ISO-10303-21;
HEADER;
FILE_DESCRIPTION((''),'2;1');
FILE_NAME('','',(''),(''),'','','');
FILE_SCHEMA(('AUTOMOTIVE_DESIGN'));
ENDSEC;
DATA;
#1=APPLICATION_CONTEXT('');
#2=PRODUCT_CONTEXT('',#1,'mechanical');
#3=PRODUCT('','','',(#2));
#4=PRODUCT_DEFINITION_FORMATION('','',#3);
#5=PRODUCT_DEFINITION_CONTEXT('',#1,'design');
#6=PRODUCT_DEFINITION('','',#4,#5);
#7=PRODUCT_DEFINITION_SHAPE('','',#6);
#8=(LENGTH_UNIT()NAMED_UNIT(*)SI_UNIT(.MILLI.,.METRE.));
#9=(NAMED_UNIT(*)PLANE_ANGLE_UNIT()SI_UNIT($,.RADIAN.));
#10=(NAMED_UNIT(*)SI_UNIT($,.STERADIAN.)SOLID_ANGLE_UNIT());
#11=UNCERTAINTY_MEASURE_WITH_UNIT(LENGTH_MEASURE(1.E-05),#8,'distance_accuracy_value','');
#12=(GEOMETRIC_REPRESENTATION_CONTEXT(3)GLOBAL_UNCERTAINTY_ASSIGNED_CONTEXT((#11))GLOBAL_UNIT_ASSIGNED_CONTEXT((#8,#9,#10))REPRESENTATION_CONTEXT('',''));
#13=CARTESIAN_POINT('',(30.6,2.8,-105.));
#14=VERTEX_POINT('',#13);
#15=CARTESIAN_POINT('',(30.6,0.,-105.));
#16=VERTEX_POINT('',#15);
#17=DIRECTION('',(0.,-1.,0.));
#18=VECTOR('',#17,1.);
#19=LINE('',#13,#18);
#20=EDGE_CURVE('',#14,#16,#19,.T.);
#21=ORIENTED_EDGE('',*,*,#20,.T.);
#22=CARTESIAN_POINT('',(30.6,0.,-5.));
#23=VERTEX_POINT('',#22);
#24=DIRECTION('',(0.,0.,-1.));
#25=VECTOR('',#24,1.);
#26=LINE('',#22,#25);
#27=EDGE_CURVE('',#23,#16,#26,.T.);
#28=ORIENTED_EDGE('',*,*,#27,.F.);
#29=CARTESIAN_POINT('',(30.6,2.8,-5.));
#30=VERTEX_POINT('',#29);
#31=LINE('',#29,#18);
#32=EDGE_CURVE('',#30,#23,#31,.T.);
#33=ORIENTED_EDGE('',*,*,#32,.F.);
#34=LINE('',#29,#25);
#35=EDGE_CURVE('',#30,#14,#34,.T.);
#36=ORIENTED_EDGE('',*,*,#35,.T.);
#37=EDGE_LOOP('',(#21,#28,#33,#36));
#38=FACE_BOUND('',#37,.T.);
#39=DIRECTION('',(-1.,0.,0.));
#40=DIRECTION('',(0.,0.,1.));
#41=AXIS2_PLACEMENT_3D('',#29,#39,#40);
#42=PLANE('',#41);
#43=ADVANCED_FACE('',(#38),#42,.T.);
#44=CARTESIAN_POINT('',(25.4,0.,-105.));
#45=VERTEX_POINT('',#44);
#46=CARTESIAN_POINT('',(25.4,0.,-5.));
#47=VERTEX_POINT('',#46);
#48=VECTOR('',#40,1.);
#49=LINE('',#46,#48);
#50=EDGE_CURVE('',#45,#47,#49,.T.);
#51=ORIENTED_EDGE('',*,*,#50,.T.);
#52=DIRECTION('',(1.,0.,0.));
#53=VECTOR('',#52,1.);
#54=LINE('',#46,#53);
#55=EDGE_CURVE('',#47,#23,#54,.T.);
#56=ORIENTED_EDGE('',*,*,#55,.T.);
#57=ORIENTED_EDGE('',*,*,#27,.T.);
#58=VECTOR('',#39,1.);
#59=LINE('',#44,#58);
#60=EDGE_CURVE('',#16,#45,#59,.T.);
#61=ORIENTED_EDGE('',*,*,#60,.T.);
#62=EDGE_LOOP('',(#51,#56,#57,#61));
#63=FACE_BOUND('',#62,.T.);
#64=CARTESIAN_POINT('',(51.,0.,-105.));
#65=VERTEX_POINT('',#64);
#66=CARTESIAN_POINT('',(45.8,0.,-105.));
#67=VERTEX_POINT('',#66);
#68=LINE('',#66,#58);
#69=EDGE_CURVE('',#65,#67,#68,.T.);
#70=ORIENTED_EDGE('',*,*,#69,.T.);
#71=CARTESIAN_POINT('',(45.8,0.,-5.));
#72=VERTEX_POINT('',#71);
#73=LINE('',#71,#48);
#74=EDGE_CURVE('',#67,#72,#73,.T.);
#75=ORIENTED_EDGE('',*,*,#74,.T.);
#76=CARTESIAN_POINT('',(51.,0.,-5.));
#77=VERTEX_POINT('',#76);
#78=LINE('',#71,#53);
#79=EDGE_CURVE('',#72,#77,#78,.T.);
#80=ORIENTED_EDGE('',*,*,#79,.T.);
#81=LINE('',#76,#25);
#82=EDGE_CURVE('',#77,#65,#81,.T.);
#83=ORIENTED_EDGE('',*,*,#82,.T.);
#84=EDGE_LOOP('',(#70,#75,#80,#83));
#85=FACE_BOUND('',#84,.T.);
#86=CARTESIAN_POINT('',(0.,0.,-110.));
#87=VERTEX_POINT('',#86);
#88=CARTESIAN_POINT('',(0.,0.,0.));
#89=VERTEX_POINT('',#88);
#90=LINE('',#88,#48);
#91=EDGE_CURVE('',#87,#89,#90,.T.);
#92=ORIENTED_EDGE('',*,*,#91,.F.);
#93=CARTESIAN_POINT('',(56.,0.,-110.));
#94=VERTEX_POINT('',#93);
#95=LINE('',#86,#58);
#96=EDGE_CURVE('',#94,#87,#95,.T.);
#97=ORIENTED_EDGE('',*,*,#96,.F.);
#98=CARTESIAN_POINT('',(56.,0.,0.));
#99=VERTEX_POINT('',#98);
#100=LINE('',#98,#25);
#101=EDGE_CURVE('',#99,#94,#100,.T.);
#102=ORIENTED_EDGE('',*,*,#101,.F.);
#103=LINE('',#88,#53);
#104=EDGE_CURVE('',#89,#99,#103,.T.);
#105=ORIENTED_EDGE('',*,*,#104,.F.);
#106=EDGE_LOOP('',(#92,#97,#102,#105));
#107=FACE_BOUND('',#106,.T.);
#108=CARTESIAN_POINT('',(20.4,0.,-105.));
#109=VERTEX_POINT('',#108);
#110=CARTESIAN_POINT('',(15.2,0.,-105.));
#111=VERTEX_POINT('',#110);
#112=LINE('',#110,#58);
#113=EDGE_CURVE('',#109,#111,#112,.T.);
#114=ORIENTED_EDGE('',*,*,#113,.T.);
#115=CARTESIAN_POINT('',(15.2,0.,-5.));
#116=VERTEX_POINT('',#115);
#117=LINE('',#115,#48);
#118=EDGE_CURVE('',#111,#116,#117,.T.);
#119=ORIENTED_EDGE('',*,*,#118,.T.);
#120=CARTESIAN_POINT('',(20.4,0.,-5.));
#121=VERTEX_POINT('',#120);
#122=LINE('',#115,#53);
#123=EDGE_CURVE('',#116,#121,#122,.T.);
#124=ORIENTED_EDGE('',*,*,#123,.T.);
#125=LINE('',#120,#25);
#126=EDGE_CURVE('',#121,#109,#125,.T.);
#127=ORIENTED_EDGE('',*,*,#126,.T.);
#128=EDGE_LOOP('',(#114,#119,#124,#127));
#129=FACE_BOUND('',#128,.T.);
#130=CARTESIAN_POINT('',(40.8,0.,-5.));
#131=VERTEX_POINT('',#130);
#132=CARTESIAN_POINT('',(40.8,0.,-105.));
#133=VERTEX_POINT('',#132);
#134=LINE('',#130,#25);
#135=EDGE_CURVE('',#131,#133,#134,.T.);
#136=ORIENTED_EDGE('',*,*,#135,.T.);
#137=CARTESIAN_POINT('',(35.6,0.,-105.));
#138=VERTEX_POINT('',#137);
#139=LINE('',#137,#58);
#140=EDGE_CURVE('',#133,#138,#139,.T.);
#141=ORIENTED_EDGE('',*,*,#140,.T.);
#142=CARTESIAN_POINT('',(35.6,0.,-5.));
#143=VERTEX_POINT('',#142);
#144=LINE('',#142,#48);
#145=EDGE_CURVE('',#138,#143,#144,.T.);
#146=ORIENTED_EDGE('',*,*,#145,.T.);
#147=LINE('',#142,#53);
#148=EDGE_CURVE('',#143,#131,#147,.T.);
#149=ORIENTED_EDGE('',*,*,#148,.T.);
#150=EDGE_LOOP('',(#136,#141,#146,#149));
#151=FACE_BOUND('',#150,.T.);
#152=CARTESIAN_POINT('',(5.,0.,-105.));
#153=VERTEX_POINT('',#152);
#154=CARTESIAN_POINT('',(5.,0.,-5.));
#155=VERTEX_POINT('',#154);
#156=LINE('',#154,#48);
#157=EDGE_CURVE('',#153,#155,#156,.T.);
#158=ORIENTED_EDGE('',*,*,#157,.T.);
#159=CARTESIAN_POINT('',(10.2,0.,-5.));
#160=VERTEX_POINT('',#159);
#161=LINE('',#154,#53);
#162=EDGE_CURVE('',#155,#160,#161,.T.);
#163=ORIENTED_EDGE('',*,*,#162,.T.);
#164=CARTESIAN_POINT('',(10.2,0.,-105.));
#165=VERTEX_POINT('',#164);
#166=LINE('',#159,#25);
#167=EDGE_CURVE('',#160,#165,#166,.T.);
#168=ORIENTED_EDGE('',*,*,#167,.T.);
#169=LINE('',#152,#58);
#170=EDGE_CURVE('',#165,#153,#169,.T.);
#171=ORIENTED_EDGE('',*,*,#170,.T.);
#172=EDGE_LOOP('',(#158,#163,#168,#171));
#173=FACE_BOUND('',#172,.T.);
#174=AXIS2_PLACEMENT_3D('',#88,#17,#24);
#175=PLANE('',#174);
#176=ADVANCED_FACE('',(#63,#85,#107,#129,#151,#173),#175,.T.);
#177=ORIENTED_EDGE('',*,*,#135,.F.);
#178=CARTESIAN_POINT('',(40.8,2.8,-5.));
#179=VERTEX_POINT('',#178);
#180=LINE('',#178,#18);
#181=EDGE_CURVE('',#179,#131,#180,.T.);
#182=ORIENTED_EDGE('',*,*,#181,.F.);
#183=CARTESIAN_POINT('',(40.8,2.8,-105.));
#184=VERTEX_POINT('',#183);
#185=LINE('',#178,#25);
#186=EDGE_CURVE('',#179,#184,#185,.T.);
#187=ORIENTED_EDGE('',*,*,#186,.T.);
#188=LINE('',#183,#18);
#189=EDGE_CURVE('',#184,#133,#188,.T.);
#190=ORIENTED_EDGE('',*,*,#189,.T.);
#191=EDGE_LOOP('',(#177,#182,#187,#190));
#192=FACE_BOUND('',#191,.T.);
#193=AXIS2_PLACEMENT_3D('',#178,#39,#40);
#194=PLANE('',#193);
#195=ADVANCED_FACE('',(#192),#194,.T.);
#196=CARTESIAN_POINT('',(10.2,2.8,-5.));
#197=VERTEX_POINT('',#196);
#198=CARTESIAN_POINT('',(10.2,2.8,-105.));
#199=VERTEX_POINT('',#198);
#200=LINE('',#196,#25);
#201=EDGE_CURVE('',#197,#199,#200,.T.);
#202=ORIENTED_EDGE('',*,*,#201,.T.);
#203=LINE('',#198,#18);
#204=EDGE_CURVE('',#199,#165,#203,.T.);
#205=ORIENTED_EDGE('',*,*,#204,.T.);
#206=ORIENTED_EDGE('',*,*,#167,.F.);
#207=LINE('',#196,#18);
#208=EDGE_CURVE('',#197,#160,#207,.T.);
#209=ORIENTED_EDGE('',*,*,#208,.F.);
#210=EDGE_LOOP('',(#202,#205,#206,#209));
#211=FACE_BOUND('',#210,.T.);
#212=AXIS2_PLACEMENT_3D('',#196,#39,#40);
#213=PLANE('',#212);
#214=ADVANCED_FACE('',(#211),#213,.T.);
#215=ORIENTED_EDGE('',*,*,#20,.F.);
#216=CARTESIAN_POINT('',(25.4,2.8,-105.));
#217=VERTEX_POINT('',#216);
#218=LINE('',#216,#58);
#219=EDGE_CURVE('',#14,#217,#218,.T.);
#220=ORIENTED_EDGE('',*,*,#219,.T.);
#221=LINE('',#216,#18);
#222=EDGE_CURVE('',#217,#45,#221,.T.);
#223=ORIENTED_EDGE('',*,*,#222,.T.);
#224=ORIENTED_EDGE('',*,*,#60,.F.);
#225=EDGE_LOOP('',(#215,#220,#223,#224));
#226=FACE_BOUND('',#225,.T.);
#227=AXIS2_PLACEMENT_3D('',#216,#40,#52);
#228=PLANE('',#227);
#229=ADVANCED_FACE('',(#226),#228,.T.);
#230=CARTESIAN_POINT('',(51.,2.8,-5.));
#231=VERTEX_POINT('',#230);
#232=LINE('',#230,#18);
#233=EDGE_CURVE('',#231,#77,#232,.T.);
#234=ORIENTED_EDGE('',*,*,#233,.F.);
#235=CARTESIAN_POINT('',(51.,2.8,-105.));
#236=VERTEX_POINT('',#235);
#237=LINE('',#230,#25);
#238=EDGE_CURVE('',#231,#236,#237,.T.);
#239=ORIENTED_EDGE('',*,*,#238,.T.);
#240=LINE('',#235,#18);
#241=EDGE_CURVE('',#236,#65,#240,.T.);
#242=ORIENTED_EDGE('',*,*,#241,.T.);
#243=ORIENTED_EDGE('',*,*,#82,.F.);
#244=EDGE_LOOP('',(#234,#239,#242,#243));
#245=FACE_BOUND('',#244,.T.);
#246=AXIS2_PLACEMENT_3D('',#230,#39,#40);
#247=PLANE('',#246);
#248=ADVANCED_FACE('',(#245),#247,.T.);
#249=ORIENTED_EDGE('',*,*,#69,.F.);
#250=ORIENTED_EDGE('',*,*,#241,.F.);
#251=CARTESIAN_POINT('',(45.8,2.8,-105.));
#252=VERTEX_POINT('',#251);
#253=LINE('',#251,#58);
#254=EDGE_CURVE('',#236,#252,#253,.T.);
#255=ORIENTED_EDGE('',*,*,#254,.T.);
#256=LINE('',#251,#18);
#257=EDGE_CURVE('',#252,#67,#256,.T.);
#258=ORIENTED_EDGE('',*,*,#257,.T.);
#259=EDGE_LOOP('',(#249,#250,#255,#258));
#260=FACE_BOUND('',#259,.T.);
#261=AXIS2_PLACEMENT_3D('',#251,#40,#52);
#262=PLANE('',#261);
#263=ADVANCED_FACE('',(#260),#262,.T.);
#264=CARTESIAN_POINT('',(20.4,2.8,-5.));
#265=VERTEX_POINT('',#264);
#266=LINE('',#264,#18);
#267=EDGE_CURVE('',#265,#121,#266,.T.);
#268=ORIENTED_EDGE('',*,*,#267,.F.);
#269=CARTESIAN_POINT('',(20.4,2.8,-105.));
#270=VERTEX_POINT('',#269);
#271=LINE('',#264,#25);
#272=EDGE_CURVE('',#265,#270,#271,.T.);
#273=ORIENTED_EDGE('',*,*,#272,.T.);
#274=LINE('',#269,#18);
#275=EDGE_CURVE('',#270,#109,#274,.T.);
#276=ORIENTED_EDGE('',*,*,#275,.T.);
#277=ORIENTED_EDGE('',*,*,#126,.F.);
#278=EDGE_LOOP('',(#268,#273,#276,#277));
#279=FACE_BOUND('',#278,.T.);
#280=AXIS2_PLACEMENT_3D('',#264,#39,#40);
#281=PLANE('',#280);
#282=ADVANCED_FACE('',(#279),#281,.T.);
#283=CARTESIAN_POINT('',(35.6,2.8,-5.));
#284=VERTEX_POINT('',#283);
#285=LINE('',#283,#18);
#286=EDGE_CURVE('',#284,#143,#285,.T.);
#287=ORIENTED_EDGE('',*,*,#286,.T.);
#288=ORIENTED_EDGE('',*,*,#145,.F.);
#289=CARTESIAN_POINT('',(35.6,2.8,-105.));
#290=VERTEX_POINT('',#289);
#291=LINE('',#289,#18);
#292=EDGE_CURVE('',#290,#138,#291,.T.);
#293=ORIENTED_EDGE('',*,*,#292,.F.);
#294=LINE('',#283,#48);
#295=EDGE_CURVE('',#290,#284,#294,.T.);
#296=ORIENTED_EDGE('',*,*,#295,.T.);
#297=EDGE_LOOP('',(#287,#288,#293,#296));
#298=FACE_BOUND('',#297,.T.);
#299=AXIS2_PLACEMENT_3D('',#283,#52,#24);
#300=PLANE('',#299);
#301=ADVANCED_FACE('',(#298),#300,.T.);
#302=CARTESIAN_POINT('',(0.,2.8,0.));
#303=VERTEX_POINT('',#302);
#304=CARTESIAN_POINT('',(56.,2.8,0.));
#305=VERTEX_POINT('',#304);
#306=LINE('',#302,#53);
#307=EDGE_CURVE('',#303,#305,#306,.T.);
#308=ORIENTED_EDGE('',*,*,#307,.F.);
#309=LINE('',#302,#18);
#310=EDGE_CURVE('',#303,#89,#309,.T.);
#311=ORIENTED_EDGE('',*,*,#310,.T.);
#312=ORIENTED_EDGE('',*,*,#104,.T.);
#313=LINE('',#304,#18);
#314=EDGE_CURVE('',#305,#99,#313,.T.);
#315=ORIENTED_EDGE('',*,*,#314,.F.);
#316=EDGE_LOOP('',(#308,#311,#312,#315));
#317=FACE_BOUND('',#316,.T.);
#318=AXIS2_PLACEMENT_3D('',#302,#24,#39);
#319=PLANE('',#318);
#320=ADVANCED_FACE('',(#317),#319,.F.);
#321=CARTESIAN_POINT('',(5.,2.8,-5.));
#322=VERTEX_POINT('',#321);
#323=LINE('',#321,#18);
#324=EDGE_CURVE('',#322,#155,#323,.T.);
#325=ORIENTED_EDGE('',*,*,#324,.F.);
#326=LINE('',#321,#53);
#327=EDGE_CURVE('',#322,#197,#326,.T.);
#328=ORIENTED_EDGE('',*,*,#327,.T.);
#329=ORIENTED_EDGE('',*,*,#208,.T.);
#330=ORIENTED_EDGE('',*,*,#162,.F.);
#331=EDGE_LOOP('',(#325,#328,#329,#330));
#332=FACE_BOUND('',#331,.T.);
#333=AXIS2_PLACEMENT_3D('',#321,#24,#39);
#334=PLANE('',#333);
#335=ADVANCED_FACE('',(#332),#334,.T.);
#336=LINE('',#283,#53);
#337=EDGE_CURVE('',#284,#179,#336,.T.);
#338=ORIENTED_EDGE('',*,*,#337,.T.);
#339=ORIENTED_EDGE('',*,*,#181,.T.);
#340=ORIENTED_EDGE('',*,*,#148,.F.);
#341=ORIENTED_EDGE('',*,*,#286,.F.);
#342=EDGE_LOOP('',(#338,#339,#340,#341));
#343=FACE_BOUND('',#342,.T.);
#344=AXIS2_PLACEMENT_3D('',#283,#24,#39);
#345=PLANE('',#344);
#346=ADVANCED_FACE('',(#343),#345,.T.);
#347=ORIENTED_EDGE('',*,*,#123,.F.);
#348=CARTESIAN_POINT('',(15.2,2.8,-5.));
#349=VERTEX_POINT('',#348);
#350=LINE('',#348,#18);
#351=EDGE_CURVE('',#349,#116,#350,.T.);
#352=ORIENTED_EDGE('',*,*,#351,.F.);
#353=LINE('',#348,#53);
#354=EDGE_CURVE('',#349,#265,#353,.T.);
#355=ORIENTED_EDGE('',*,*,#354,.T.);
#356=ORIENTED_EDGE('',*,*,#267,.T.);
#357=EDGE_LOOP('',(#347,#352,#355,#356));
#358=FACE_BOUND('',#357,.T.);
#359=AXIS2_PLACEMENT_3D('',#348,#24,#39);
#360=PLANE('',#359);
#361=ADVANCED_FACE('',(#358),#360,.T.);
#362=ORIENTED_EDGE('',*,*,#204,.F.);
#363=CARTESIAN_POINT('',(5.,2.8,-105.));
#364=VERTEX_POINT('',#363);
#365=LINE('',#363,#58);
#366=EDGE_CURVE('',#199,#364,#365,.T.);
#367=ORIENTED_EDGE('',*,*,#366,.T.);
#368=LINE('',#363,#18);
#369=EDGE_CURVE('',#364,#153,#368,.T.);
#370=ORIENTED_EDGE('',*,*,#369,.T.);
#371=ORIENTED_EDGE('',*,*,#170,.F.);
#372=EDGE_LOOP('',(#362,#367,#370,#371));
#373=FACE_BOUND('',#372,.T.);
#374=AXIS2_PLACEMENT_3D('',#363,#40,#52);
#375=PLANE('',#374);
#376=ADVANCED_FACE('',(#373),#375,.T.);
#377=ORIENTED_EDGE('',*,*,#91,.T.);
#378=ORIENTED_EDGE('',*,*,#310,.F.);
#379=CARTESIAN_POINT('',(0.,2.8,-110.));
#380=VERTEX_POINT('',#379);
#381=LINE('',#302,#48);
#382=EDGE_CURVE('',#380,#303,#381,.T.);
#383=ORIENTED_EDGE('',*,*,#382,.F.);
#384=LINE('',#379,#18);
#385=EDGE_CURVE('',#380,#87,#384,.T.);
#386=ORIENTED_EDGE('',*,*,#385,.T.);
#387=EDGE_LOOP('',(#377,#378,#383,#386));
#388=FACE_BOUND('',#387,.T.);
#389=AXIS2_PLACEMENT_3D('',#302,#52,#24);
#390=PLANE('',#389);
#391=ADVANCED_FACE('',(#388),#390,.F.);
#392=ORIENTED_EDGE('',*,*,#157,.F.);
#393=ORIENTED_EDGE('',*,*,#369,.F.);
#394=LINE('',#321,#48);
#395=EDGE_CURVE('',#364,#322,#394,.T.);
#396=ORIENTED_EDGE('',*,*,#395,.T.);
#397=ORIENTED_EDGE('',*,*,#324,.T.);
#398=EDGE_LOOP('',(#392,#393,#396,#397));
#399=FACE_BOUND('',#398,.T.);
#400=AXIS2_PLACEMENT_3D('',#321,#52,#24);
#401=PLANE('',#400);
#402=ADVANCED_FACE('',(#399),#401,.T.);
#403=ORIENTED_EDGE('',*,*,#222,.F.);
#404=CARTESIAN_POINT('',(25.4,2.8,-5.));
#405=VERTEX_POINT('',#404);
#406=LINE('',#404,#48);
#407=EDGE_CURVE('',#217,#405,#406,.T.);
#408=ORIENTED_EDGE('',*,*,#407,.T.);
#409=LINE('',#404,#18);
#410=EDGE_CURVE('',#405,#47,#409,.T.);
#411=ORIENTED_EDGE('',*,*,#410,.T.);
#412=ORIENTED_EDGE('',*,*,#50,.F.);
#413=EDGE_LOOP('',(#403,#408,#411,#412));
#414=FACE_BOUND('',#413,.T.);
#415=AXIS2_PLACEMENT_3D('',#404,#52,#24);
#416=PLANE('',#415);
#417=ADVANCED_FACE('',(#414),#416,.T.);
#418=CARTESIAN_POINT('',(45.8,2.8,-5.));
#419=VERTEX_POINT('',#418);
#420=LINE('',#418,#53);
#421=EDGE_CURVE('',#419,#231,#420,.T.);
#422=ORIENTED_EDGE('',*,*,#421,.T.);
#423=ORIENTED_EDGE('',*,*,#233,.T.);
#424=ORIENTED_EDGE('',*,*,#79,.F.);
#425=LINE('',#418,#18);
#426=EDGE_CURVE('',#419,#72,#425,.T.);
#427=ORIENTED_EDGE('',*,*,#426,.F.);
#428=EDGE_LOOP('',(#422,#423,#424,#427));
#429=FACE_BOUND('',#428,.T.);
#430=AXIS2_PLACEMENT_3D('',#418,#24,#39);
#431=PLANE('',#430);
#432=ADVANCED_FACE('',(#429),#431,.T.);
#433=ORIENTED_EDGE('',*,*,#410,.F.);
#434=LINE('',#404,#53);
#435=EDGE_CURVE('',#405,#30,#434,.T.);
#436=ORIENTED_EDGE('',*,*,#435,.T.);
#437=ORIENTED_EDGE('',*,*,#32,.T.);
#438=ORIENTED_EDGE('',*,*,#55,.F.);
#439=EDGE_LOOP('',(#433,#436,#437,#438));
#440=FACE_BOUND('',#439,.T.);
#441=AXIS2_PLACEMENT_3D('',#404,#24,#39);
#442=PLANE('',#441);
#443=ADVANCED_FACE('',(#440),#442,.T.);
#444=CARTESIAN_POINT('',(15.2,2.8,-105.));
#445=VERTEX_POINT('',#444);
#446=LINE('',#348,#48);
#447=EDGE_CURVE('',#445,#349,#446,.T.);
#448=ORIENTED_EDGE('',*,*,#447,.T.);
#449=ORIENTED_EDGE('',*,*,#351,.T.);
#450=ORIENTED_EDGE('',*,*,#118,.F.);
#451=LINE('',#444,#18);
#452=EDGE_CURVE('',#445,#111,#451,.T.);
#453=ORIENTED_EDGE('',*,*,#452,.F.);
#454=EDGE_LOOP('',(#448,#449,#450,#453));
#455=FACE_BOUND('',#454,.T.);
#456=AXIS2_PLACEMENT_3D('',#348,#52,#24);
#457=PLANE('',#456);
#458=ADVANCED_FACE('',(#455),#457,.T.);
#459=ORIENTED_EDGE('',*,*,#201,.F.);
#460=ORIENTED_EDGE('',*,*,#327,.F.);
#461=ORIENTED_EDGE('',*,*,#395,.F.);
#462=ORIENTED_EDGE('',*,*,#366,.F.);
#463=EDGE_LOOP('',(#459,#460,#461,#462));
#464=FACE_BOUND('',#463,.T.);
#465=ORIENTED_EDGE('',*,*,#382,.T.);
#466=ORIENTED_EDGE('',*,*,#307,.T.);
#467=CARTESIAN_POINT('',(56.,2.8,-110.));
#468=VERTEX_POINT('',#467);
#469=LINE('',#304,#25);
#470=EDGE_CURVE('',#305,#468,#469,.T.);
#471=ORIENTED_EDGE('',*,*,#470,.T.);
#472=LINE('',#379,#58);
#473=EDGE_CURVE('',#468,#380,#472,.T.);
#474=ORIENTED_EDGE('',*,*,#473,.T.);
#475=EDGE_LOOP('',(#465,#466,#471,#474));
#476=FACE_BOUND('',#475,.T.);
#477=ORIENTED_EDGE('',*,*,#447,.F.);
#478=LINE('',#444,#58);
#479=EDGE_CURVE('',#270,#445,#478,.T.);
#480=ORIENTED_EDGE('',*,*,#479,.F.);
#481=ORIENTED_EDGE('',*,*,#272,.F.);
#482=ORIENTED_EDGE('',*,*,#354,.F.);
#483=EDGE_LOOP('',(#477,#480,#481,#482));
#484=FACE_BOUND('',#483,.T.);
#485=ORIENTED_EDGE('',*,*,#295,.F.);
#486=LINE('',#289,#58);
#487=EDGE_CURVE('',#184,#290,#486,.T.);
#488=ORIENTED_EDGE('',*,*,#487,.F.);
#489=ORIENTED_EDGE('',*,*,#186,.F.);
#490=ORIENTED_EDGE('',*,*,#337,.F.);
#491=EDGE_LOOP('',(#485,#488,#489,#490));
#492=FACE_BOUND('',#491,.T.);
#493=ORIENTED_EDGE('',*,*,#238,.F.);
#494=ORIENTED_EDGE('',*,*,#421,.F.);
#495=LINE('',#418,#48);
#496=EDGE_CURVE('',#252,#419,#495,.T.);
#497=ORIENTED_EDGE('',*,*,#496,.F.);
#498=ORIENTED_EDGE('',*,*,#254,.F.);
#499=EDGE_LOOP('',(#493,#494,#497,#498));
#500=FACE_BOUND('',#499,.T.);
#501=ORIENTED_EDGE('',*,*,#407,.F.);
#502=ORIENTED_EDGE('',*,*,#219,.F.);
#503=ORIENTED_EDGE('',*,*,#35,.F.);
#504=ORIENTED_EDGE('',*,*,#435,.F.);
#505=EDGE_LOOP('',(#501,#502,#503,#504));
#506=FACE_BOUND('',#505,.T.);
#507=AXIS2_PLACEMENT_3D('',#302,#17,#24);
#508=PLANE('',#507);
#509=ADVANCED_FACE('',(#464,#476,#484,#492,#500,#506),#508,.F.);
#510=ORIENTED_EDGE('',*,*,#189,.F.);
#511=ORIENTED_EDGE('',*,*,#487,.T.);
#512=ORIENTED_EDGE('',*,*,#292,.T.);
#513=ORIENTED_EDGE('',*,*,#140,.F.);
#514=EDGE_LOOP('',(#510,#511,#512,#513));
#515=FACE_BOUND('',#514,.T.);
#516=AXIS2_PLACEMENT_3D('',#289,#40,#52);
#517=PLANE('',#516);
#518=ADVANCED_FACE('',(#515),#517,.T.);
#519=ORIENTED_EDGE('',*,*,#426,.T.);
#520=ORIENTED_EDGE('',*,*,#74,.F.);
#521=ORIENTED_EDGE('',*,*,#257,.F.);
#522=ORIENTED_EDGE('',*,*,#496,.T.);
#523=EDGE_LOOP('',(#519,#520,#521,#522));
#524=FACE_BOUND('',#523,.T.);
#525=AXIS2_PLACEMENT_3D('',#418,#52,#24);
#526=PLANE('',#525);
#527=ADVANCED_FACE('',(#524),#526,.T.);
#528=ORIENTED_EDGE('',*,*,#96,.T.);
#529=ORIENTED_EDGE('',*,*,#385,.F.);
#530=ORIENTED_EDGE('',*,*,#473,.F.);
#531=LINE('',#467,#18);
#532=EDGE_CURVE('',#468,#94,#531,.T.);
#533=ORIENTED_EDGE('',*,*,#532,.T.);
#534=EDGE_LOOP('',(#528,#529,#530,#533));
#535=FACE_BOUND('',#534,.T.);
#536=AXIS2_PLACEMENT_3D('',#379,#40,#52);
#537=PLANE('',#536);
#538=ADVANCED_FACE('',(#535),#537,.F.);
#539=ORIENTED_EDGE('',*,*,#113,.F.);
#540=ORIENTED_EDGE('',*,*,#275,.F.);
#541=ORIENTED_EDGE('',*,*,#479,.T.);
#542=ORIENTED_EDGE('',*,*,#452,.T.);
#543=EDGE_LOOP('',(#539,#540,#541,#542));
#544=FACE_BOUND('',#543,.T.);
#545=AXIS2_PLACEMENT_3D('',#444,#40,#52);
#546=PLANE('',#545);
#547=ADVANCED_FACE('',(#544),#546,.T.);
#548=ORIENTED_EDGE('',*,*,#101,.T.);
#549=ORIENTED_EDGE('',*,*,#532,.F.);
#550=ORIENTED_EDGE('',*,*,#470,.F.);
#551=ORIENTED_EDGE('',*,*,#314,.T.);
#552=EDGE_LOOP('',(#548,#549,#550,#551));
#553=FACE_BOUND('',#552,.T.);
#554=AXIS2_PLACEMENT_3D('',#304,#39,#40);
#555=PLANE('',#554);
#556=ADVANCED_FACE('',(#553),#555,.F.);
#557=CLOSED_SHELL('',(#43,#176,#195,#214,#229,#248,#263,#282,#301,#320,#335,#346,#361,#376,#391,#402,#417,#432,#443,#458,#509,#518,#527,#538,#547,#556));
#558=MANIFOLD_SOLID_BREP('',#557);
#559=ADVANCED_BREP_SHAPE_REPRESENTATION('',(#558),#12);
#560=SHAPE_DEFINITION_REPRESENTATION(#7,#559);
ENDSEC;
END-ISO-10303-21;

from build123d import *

# Parameters (mm, degrees)
SKETCH1_W           = 56
SKETCH1_H           = 110
SKETCH1_W_2         = 5.2
SKETCH1_H_2         = 100
BOSS_EXTRUDE1_DEPTH = 2.8


with BuildPart() as part:
    # Sketch1 → Boss-Extrude1 (new body)
    with BuildSketch(Plane(origin=(0, 0, 0), x_dir=(1, 0, 0), z_dir=(0, 1, 0))):
        with Locations((28, 55)):
            Rectangle(SKETCH1_W, SKETCH1_H)
        with Locations((17.8, 55)):
            Rectangle(SKETCH1_W_2, SKETCH1_H_2, mode=Mode.SUBTRACT)
        with Locations((7.6, 55)):
            Rectangle(SKETCH1_W_2, SKETCH1_H_2, mode=Mode.SUBTRACT)
        with Locations((28, 55)):
            Rectangle(SKETCH1_W_2, SKETCH1_H_2, mode=Mode.SUBTRACT)
        with Locations((38.2, 55)):
            Rectangle(SKETCH1_W_2, SKETCH1_H_2, mode=Mode.SUBTRACT)
        with Locations((48.4, 55)):
            Rectangle(SKETCH1_W_2, SKETCH1_H_2, mode=Mode.SUBTRACT)
    extrude(amount=BOSS_EXTRUDE1_DEPTH)


solid = part.part
